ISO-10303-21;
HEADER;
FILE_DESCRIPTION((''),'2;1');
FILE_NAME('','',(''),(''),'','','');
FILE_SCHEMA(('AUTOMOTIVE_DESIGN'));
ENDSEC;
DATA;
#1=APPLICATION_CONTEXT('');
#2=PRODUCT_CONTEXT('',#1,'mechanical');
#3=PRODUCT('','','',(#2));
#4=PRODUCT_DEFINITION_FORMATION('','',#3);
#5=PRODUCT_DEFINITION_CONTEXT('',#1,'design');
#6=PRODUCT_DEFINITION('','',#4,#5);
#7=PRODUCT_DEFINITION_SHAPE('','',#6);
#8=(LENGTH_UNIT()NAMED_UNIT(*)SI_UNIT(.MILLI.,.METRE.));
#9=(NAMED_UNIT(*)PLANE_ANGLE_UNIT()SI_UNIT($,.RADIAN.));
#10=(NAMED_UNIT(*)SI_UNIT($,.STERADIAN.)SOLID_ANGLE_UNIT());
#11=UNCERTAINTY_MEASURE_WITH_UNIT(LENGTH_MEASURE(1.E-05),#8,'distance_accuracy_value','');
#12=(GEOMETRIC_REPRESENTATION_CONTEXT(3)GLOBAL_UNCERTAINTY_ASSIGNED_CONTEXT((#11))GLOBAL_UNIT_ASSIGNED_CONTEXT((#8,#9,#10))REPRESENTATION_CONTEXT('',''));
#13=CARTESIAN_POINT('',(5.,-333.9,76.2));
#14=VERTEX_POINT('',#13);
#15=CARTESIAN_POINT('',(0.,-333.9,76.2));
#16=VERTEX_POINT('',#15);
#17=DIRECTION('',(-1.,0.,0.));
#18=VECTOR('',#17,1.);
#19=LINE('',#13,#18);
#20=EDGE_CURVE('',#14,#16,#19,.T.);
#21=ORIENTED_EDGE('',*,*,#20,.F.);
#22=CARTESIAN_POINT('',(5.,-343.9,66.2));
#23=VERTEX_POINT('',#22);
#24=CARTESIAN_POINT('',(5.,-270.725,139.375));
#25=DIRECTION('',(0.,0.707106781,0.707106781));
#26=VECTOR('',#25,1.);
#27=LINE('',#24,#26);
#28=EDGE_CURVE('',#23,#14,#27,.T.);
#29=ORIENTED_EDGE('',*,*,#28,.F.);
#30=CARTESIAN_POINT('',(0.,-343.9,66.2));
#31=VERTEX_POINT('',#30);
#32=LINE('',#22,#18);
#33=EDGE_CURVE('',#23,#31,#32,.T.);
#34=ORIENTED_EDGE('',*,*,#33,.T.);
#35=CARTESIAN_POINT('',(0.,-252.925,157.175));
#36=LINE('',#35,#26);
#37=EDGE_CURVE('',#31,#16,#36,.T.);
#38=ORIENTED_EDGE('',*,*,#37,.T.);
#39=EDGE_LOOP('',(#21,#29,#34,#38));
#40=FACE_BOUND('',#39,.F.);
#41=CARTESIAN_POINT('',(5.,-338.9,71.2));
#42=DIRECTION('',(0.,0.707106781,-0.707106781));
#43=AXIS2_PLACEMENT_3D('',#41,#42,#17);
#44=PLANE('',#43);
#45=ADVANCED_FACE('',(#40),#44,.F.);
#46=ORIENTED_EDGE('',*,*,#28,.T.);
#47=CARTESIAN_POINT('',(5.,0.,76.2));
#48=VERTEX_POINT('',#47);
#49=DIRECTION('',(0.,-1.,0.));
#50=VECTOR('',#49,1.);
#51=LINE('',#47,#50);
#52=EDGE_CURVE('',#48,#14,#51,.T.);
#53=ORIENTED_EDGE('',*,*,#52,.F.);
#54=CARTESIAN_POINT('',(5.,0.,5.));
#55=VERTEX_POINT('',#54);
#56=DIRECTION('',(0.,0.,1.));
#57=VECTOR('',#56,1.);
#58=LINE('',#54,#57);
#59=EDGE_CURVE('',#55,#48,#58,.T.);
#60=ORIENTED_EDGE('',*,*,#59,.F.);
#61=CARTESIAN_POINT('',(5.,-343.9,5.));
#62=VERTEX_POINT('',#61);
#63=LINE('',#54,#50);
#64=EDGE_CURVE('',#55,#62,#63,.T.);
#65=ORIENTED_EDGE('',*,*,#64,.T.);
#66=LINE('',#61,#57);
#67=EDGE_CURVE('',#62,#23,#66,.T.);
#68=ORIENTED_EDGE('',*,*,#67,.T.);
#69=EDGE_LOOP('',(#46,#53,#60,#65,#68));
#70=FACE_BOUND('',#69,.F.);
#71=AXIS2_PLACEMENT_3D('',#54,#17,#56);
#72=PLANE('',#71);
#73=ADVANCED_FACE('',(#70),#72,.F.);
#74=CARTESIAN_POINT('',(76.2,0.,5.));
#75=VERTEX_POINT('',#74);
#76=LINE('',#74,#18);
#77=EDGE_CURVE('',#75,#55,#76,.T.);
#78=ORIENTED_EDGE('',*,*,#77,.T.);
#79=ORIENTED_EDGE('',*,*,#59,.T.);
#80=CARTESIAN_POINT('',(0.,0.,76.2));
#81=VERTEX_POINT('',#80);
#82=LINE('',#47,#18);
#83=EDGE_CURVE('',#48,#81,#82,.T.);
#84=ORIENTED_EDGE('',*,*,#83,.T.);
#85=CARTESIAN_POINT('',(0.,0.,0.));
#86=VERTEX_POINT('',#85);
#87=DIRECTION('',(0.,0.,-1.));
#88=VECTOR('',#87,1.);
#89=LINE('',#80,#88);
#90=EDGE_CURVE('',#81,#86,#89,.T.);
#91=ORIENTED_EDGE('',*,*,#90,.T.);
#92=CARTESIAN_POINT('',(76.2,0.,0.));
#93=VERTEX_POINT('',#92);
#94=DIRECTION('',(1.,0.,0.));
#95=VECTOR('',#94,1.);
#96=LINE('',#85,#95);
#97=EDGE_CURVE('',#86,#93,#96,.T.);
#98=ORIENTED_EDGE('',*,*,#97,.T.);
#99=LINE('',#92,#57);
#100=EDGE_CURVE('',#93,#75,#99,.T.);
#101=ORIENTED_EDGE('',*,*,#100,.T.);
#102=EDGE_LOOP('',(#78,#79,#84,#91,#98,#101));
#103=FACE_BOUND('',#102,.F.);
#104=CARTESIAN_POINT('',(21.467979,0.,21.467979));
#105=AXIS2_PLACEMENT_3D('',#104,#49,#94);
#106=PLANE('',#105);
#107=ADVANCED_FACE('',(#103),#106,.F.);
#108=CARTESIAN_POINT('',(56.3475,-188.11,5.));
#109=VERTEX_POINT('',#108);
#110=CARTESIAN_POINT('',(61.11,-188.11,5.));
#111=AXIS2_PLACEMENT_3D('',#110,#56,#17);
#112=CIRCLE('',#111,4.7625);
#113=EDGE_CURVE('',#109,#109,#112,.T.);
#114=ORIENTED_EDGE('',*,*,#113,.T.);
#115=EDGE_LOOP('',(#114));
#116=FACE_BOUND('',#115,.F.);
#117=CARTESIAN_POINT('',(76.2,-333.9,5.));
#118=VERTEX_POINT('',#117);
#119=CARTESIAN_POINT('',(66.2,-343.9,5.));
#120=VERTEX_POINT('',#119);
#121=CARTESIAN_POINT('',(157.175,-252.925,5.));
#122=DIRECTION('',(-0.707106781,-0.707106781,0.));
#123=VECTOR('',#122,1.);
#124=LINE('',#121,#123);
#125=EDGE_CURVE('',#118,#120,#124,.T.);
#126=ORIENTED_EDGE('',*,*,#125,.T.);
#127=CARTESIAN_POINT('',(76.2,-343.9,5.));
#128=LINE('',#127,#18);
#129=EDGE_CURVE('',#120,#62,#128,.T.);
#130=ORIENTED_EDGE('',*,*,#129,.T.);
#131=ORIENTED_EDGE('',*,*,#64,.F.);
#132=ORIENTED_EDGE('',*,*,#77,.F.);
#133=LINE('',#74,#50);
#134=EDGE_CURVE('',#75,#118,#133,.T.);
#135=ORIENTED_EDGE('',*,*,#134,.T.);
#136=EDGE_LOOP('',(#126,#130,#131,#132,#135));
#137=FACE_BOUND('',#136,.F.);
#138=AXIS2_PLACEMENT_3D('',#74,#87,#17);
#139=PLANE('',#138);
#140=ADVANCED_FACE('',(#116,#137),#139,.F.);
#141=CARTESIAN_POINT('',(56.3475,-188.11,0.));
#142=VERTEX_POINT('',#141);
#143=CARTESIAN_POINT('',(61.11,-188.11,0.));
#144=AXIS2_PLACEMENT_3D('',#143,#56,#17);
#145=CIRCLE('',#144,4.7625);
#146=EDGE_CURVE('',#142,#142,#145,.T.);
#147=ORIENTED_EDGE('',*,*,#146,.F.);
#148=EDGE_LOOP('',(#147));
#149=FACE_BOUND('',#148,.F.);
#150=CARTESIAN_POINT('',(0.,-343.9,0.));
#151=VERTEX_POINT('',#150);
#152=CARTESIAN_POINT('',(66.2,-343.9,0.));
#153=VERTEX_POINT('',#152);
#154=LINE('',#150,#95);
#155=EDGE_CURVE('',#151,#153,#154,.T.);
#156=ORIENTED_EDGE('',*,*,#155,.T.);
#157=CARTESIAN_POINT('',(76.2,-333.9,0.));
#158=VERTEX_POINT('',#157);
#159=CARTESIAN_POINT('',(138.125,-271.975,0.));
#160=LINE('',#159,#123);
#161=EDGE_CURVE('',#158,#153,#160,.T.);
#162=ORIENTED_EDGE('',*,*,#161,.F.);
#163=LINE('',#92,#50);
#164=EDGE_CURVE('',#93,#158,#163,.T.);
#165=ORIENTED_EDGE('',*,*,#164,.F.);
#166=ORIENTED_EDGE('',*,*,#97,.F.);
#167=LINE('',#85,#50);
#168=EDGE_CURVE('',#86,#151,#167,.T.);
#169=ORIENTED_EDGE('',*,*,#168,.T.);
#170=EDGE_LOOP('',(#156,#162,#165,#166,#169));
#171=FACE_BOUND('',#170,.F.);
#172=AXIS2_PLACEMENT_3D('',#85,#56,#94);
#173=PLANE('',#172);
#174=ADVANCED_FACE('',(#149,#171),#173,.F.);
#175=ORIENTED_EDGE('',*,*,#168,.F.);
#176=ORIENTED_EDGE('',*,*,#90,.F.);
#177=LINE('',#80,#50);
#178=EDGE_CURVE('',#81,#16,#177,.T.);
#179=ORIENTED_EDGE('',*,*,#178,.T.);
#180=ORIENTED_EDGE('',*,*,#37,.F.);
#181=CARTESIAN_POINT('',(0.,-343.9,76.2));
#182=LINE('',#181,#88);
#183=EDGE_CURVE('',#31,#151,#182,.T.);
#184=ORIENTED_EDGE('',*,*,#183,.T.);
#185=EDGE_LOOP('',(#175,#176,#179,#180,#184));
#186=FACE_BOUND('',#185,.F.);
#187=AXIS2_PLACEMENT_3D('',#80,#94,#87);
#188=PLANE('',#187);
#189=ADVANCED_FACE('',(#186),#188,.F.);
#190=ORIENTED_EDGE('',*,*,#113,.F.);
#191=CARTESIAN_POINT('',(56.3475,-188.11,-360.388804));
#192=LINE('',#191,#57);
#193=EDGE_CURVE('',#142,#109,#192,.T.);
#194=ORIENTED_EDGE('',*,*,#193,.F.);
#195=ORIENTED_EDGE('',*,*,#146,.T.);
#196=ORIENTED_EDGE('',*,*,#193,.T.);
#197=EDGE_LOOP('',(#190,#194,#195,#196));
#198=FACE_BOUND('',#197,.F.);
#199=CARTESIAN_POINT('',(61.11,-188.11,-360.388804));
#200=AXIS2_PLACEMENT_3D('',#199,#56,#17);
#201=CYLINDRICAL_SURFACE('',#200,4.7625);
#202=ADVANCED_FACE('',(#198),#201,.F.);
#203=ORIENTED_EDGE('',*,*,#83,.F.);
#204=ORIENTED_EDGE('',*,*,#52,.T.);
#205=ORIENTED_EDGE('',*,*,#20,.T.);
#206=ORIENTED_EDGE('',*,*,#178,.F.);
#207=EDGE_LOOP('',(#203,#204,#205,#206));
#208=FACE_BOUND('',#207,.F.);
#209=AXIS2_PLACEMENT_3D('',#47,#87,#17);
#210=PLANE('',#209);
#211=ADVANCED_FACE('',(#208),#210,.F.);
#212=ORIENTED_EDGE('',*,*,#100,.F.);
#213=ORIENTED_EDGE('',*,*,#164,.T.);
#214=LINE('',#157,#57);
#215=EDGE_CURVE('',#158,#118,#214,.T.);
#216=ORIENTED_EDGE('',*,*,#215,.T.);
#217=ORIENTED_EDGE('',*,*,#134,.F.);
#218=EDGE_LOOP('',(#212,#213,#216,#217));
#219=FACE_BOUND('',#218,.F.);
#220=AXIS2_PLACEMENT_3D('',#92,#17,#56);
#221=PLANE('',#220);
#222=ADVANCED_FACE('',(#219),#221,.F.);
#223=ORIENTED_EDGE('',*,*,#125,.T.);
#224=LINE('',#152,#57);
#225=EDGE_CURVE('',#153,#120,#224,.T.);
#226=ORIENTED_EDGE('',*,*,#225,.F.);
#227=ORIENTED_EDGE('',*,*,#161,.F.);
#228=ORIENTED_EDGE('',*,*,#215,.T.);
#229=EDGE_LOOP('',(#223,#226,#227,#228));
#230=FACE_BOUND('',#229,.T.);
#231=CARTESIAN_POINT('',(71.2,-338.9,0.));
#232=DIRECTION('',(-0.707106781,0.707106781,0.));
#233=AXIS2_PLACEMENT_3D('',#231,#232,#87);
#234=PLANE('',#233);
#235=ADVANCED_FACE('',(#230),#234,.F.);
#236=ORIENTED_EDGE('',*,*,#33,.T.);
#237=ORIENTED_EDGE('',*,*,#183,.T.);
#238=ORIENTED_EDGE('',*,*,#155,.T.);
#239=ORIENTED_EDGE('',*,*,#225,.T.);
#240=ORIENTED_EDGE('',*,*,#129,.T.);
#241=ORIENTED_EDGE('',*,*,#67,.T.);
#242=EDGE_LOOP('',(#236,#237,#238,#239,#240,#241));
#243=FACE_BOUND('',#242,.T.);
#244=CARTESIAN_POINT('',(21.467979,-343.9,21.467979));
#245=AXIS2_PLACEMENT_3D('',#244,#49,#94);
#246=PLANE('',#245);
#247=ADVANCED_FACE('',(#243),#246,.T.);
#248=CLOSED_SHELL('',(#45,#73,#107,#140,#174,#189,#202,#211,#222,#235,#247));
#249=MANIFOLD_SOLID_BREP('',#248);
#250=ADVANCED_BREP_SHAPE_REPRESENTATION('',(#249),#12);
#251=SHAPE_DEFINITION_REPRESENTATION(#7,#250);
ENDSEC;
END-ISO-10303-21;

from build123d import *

# Parameters (mm, degrees)
F1_DEPTH = 343.9
F2_SIZE  = 10
F3_SIZE  = 10
F5_D     = 9.525


with BuildPart() as f1:
    # F0 (on Front) → F1 (new body)
    with BuildSketch(Plane.XZ):
        Polygon((0, 76.2), (0, 0), (76.2, 0), (76.2, 5), (5, 5), (5, 76.2), align=None)
    extrude(amount=F1_DEPTH)

    # F2
    f2_edges = [f1.edges().sort_by_distance(p)[0] for p in [
        (76.2, -343.9, 2.5),
    ]]
    chamfer(f2_edges, length=F2_SIZE)

    # F3
    f3_edges = [f1.edges().sort_by_distance(p)[0] for p in [
        (2.5, -343.9, 76.2),
    ]]
    chamfer(f3_edges, length=F3_SIZE)

    # F5 (through all)
    with Locations(Plane(origin=(0, 0, 0), x_dir=(1, 0, 0), z_dir=(0, 0, -1))):
        with Locations((61.11, 188.11)):
            Hole(F5_D / 2)


solid = f1.part
